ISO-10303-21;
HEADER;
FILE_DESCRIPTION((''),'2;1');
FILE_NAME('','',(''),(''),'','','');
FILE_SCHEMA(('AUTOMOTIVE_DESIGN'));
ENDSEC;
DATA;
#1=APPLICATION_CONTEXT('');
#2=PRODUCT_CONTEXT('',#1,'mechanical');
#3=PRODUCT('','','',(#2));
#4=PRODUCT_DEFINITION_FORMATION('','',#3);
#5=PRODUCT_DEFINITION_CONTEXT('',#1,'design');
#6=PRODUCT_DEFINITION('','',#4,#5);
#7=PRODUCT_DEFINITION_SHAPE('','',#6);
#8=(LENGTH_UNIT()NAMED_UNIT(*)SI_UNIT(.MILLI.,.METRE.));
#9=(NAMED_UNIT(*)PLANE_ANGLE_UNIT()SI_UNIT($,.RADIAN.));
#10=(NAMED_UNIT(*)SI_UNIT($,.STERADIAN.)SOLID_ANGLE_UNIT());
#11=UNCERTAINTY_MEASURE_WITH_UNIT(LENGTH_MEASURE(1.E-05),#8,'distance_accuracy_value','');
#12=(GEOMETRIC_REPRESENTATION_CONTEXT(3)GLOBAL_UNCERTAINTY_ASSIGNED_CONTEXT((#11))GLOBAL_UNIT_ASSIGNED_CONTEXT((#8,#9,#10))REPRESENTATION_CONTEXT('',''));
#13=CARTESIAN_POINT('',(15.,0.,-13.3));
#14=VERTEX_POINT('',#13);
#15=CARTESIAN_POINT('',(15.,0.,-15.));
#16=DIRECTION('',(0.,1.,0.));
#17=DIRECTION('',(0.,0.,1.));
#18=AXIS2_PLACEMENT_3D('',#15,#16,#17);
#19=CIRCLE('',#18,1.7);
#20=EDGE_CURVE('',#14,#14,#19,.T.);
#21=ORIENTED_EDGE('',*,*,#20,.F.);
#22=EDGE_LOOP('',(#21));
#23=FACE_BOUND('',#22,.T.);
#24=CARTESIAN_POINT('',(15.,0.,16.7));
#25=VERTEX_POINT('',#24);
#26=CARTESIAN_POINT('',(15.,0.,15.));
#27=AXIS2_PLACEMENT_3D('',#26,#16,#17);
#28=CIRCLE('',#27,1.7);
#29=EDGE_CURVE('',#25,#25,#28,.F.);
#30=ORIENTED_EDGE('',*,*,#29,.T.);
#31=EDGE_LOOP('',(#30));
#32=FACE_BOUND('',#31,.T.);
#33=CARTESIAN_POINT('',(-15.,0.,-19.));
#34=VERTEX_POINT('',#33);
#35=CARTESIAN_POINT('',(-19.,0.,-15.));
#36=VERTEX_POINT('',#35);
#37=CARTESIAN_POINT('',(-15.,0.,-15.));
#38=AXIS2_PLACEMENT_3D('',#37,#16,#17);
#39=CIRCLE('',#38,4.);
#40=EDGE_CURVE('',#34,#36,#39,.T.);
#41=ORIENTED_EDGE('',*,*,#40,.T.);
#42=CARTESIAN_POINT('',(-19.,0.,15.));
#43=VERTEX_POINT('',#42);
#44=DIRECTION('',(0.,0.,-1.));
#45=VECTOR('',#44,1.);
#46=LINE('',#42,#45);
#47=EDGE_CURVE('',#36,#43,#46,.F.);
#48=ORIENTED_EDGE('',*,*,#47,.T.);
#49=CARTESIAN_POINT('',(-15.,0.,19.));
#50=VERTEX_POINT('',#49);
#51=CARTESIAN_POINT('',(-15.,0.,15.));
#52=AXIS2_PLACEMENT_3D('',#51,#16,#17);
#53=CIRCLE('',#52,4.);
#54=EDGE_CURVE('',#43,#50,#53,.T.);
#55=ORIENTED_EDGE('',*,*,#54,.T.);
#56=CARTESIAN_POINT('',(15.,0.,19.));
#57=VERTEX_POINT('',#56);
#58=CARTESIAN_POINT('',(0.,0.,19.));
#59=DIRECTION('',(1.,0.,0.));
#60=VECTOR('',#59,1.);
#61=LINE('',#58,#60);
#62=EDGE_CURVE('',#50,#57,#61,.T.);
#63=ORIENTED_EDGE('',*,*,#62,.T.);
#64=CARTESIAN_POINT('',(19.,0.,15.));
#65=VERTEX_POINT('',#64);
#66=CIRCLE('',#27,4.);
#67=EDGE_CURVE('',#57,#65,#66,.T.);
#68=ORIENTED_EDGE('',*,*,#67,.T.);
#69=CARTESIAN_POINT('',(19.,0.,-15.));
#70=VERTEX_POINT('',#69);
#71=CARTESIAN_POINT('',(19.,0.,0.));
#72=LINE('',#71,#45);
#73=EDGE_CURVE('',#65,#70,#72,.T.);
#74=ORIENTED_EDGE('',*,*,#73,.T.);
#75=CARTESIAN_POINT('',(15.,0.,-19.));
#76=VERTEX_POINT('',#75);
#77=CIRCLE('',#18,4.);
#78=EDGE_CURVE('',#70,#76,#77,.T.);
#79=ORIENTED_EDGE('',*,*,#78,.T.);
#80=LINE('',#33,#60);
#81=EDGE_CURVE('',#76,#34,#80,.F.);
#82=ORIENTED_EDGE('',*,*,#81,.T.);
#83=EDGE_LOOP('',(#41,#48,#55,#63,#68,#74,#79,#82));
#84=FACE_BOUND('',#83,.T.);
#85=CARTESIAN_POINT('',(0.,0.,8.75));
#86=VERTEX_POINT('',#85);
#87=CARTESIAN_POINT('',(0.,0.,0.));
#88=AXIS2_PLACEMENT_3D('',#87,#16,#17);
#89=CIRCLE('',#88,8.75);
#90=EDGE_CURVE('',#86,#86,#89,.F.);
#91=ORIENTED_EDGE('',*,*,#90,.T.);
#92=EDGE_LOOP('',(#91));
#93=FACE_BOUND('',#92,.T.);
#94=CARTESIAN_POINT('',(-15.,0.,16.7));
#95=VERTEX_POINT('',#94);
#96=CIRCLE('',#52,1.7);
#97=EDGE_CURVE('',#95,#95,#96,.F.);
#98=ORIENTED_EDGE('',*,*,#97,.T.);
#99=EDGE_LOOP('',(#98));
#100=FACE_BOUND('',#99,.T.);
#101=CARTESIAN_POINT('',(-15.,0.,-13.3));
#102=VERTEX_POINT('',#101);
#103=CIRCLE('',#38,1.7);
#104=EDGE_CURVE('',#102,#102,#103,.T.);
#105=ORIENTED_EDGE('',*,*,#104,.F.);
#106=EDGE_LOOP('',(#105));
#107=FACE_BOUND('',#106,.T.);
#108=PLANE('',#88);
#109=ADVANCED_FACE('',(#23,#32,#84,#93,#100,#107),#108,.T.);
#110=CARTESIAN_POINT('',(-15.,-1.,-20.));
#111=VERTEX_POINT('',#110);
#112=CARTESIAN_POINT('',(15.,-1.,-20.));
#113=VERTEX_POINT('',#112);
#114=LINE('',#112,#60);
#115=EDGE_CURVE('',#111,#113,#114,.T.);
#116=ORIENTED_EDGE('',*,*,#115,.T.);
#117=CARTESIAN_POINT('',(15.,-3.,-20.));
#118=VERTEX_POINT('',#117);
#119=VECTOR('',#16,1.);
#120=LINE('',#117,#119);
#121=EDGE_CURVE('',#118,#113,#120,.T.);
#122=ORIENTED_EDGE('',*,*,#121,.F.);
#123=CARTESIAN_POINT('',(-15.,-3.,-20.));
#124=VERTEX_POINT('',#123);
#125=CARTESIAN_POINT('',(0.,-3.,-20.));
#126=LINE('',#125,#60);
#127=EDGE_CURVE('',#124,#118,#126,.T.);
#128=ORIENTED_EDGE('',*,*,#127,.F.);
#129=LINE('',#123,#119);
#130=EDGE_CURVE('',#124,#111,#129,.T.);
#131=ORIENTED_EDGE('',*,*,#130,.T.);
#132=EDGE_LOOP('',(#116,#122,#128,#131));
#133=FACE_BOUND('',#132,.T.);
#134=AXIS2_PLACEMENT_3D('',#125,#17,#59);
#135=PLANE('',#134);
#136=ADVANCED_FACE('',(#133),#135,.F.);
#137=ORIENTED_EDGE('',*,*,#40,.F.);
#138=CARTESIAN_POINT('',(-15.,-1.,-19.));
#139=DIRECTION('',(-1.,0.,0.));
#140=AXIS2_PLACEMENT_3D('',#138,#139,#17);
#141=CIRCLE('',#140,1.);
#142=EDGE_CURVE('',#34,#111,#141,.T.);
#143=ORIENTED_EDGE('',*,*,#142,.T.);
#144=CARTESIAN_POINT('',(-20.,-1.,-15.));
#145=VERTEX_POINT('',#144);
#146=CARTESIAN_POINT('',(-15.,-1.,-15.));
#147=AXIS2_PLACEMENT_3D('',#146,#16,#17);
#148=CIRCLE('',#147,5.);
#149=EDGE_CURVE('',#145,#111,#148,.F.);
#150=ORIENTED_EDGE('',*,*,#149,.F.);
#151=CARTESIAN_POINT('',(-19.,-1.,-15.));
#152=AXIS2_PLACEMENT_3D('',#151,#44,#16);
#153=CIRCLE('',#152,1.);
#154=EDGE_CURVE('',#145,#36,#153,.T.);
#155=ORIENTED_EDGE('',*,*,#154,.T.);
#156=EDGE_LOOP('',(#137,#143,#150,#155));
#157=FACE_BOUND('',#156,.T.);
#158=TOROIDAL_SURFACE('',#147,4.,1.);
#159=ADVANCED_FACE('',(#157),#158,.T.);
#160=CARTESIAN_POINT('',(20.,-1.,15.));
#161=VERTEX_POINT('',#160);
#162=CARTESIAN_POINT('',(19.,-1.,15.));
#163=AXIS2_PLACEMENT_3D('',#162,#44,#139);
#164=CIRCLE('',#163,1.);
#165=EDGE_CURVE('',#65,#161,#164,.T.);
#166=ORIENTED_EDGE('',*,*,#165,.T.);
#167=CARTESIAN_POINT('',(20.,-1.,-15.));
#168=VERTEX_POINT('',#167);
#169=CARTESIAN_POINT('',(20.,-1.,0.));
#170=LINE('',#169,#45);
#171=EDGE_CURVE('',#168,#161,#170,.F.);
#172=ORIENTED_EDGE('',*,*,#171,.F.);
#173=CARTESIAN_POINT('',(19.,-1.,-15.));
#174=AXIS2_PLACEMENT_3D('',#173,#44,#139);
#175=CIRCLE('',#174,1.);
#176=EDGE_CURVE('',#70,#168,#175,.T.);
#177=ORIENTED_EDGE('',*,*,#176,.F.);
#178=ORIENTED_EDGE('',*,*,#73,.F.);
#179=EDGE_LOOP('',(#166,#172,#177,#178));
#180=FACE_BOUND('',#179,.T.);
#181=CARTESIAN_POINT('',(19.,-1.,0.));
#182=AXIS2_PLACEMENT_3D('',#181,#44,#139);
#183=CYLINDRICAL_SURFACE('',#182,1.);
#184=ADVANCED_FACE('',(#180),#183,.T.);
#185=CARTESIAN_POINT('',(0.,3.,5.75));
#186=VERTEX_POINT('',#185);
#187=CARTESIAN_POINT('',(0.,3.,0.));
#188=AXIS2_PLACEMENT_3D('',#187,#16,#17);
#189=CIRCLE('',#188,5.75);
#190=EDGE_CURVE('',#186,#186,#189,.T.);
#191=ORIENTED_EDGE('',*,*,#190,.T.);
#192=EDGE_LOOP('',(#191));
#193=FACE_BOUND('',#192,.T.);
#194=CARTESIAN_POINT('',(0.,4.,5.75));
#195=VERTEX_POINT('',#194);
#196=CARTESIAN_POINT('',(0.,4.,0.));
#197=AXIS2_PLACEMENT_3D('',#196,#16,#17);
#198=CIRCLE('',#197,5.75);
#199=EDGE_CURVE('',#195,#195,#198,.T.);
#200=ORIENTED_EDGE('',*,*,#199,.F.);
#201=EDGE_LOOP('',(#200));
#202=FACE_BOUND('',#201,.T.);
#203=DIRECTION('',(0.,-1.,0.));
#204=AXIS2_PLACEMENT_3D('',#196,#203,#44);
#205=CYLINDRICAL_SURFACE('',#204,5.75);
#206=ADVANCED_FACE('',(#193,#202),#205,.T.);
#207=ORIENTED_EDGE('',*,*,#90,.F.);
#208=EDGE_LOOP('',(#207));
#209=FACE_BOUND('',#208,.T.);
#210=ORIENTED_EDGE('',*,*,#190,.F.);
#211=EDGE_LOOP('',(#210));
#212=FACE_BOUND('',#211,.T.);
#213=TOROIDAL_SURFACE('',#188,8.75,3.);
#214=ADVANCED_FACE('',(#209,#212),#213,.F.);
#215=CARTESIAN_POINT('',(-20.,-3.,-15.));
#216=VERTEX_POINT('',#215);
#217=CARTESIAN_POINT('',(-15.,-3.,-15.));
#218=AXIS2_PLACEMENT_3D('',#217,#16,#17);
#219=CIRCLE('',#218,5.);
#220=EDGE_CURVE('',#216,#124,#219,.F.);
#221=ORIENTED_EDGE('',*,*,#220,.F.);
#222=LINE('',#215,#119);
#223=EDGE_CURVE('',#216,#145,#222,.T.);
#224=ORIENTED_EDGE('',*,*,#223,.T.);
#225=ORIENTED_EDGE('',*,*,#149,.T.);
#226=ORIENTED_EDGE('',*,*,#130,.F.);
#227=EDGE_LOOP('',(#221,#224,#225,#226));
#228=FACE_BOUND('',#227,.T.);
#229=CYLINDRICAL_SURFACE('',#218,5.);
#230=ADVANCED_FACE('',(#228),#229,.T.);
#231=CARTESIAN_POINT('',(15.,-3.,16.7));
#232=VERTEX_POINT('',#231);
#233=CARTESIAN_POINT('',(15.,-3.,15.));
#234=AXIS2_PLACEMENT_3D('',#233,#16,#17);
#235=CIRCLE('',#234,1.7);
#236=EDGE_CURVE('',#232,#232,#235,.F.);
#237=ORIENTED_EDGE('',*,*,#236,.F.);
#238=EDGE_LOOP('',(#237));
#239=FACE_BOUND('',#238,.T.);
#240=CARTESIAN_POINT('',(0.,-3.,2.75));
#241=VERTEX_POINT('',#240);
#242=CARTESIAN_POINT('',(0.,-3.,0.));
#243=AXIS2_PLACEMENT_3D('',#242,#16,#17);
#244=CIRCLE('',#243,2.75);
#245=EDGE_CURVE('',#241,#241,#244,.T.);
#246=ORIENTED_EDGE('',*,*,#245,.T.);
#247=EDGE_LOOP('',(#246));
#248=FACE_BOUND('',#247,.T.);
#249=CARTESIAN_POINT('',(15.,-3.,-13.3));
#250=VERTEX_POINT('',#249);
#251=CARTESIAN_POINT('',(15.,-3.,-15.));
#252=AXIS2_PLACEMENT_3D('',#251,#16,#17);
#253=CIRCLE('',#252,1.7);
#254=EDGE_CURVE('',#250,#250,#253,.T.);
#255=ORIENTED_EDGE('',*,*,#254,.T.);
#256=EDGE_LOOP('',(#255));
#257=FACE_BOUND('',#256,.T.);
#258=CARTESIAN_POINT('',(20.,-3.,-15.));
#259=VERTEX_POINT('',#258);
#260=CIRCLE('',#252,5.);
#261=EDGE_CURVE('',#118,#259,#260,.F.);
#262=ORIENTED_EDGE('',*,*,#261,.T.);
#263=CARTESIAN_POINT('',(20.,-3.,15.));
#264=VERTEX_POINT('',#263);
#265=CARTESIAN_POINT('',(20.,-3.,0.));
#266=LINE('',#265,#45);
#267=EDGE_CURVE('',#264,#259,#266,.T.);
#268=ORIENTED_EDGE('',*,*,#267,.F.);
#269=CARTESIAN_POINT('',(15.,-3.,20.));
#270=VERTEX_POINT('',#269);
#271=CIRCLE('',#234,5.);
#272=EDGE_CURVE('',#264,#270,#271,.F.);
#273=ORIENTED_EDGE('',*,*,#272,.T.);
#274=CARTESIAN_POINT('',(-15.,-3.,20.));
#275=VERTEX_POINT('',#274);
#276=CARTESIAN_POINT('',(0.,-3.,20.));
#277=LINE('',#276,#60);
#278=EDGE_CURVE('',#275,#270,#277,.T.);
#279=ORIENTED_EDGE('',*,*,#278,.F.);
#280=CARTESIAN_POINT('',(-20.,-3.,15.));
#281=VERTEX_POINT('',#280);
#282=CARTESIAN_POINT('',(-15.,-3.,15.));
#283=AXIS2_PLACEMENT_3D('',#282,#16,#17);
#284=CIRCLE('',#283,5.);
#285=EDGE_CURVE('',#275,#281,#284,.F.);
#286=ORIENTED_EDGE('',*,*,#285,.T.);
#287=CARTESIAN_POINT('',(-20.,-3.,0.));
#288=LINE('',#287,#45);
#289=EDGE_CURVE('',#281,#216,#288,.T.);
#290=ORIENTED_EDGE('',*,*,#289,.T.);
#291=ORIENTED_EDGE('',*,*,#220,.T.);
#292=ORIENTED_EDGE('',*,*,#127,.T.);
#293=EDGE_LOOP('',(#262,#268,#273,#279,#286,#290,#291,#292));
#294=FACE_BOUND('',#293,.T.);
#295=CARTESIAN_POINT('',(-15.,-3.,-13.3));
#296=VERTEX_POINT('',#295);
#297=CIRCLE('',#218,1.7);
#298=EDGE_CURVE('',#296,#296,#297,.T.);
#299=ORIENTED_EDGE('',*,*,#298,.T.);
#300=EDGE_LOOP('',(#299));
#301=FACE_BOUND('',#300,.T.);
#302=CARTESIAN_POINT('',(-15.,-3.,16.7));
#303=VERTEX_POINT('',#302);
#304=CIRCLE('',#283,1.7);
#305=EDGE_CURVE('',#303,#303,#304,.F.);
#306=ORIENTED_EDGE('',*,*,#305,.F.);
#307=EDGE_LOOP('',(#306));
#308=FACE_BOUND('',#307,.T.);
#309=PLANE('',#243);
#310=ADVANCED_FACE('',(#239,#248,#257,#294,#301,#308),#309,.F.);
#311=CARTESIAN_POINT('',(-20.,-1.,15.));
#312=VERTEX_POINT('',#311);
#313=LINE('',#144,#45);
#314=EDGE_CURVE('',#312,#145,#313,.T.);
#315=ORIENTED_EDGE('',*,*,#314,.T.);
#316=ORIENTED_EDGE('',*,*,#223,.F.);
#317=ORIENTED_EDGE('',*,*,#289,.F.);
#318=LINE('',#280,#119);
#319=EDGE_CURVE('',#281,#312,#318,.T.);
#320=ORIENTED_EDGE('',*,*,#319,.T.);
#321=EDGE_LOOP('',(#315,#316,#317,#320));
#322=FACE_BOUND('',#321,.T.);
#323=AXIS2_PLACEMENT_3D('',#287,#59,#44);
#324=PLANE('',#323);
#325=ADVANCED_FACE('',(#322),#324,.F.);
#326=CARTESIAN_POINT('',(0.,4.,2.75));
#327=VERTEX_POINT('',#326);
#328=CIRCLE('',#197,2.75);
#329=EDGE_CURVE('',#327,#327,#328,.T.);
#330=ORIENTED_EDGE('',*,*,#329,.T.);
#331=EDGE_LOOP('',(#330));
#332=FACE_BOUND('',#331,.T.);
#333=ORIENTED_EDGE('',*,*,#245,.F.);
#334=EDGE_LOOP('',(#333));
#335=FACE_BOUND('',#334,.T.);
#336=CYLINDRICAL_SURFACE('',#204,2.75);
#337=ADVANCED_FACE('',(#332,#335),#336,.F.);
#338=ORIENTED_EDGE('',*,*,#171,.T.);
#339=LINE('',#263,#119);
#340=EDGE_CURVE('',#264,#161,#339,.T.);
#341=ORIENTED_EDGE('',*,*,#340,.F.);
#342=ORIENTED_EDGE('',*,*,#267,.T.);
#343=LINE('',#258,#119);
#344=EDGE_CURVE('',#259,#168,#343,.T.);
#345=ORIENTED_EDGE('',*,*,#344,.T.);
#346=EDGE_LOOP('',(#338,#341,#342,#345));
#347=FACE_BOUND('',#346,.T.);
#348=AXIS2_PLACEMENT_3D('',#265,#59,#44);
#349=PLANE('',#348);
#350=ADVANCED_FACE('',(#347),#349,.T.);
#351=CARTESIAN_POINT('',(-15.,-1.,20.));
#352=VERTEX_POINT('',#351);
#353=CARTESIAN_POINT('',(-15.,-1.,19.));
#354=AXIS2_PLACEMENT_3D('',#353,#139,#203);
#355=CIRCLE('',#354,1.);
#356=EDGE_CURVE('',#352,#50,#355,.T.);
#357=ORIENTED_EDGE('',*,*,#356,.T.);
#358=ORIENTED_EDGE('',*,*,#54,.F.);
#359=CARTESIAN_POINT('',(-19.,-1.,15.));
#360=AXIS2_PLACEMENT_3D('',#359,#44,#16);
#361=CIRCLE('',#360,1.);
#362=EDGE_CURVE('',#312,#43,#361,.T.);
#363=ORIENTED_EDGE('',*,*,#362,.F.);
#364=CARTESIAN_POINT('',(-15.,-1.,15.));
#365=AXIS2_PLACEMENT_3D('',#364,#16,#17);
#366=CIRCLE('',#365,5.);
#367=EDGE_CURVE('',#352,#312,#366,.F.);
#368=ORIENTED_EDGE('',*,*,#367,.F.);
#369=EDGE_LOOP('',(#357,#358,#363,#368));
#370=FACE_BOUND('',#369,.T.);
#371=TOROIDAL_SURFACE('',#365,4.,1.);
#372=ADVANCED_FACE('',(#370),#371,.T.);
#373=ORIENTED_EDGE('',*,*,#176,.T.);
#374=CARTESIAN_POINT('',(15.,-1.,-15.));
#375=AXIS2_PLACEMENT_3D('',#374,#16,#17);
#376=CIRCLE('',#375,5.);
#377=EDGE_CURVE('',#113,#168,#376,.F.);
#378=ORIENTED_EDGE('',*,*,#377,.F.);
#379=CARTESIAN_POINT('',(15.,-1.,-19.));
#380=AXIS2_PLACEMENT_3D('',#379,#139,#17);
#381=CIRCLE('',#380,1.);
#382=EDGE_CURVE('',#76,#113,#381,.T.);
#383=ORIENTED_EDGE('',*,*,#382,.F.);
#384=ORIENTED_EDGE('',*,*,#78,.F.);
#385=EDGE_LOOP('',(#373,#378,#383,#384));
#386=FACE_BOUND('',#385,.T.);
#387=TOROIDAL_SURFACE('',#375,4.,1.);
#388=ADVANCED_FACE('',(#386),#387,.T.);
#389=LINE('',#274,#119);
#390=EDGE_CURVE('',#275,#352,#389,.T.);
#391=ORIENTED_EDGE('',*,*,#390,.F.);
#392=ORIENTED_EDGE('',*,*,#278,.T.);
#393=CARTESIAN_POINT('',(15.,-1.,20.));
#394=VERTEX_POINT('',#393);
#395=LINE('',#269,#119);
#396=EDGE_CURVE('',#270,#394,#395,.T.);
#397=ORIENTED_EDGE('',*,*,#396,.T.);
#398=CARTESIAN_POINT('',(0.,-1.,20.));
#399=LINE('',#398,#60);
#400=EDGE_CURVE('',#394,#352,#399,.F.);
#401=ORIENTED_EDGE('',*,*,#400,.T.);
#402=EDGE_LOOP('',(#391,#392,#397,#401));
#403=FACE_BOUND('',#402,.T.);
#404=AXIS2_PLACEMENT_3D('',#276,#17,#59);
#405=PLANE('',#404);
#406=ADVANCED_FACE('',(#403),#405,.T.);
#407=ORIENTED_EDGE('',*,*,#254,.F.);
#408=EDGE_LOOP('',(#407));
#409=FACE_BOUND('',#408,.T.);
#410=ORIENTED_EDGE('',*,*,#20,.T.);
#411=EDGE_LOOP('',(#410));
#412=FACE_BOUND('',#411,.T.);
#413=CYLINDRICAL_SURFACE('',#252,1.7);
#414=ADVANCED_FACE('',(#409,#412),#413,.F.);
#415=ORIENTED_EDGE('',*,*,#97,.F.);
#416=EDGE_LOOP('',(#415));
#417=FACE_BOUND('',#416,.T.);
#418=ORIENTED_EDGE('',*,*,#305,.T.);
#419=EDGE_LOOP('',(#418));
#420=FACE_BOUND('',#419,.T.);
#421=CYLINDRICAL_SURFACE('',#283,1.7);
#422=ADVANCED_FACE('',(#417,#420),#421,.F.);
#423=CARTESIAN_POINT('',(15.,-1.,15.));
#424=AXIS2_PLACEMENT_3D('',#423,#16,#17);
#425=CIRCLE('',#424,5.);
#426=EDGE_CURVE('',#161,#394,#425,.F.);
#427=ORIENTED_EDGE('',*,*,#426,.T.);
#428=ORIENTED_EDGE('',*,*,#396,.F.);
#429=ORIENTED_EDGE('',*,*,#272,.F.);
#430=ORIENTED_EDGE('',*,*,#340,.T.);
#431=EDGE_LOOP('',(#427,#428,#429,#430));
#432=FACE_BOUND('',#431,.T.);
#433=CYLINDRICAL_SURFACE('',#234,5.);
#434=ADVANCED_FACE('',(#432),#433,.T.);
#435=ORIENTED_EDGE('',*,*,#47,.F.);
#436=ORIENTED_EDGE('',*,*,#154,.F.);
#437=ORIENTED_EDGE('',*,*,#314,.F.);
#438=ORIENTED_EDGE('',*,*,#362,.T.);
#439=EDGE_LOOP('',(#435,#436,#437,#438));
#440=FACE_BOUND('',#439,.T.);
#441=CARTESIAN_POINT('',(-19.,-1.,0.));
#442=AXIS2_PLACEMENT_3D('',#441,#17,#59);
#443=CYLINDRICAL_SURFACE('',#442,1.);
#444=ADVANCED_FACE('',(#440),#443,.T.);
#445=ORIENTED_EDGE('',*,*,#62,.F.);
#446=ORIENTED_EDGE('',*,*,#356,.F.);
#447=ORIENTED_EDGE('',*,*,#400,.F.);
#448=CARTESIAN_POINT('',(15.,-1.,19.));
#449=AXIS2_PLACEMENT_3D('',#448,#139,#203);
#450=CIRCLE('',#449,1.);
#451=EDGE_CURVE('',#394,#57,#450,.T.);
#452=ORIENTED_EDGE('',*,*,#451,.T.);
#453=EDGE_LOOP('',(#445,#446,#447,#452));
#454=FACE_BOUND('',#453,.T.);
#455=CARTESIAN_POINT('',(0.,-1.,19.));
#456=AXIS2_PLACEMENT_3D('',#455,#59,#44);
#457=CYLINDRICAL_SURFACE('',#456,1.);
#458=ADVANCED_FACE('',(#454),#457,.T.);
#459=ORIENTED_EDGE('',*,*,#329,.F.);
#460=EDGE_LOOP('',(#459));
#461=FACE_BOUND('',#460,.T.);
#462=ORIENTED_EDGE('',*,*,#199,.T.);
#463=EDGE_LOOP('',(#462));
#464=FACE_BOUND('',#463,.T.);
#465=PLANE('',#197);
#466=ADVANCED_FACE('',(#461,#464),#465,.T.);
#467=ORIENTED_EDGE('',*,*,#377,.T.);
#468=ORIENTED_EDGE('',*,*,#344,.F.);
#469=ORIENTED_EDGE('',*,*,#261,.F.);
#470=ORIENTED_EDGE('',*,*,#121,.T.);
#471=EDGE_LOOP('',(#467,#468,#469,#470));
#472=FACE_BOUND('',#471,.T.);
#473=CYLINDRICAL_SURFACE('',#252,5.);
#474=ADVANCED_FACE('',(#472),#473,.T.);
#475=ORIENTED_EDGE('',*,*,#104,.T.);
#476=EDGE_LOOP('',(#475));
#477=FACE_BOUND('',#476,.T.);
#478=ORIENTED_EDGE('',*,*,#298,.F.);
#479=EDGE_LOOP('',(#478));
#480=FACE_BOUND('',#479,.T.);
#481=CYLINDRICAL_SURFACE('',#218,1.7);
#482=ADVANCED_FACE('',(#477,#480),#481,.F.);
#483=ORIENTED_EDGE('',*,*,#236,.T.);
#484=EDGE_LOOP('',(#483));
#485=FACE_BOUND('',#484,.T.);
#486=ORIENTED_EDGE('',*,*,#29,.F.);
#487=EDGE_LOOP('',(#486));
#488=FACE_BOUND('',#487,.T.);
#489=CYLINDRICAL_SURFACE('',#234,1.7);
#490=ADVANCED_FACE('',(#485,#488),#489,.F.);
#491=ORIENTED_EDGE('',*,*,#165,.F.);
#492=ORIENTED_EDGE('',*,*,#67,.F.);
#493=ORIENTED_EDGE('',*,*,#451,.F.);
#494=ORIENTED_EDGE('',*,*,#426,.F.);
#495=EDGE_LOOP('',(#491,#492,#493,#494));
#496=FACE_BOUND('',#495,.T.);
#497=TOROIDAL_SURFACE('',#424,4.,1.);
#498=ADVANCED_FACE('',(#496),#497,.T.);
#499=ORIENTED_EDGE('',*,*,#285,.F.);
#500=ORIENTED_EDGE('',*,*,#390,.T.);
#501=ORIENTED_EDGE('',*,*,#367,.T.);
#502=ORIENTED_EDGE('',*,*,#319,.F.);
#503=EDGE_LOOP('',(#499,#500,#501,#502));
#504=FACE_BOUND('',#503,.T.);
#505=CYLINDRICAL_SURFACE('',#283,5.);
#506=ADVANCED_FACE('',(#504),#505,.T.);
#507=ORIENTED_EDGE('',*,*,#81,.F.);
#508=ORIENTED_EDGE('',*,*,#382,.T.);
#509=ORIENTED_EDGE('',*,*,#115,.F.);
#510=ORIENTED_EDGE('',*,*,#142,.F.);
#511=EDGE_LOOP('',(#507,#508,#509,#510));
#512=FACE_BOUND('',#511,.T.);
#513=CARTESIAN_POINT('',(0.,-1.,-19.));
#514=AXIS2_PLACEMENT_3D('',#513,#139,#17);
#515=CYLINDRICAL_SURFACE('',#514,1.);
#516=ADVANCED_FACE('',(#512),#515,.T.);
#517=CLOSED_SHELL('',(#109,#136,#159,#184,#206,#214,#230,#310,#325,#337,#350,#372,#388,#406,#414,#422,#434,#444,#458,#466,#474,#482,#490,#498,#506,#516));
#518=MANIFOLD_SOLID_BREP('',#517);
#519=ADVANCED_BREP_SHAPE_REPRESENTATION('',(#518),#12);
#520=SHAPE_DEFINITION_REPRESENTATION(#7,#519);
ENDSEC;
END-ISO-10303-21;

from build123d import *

# Parameters (mm, degrees)
SKETCH1_R           = 5.75
SKETCH1_R_2         = 2.75
BOSS_EXTRUDE1_DEPTH = 4
BOSS_EXTRUDE2_START = -3
SKETCH1_3_R         = 1.7
SKETCH1_3_R_2       = 2.75
BOSS_EXTRUDE2_DEPTH = 3
FILLET1_R           = 3
FILLET2_R           = 1


with BuildPart() as part:
    # Sketch1 → Boss-Extrude1 (new body)
    with BuildSketch(Plane(origin=(0, 0, 0), x_dir=(1, 0, 0), z_dir=(0, 1, 0))):
        Circle(SKETCH1_R)
        Circle(SKETCH1_R_2, mode=Mode.SUBTRACT)
    extrude(amount=BOSS_EXTRUDE1_DEPTH)

    # Sketch1<3> → Boss-Extrude2 (add)
    with BuildSketch(Plane(origin=(0, 0, 0), x_dir=(1, 0, 0), z_dir=(0, 1, 0)).offset(BOSS_EXTRUDE2_START)):
        with BuildLine():
            ThreePointArc((-20, -15), (-18.535533906, -18.535533906), (-15, -20))
            Line((-15, -20), (15, -20))
            ThreePointArc((15, -20), (18.535533906, -18.535533906), (20, -15))
            Line((20, -15), (20, 15))
            ThreePointArc((20, 15), (18.535533906, 18.535533906), (15, 20))
            Line((15, 20), (-15, 20))
            ThreePointArc((-15, 20), (-18.535533906, 18.535533906), (-20, 15))
            Line((-20, 15), (-20, -15))
        make_face()
        with Locations((-15, -15)):
            Circle(SKETCH1_3_R, mode=Mode.SUBTRACT)
        with Locations((15, -15)):
            Circle(SKETCH1_3_R, mode=Mode.SUBTRACT)
        with Locations((-15, 15)):
            Circle(SKETCH1_3_R, mode=Mode.SUBTRACT)
        with Locations((15, 15)):
            Circle(SKETCH1_3_R, mode=Mode.SUBTRACT)
        Circle(SKETCH1_3_R_2, mode=Mode.SUBTRACT)
    extrude(amount=BOSS_EXTRUDE2_DEPTH)

    # Fillet1
    fillet1_edges = [part.edges().sort_by_distance(p)[0] for p in [
        (-5.75, 0, 0),
    ]]
    fillet(fillet1_edges, radius=FILLET1_R)

    # Fillet2
    fillet2_edges = [part.edges().sort_by_distance(p)[0] for p in [
        (-18.535533906, 0, -18.535533906),
        (-20, 0, 0),
        (-18.535533906, 0, 18.535533906),
        (0, 0, 20),
        (18.535533906, 0, 18.535533906),
        (20, 0, 0),
        (18.535533906, 0, -18.535533906),
        (0, 0, -20),
    ]]
    fillet(fillet2_edges, radius=FILLET2_R)


solid = part.part
